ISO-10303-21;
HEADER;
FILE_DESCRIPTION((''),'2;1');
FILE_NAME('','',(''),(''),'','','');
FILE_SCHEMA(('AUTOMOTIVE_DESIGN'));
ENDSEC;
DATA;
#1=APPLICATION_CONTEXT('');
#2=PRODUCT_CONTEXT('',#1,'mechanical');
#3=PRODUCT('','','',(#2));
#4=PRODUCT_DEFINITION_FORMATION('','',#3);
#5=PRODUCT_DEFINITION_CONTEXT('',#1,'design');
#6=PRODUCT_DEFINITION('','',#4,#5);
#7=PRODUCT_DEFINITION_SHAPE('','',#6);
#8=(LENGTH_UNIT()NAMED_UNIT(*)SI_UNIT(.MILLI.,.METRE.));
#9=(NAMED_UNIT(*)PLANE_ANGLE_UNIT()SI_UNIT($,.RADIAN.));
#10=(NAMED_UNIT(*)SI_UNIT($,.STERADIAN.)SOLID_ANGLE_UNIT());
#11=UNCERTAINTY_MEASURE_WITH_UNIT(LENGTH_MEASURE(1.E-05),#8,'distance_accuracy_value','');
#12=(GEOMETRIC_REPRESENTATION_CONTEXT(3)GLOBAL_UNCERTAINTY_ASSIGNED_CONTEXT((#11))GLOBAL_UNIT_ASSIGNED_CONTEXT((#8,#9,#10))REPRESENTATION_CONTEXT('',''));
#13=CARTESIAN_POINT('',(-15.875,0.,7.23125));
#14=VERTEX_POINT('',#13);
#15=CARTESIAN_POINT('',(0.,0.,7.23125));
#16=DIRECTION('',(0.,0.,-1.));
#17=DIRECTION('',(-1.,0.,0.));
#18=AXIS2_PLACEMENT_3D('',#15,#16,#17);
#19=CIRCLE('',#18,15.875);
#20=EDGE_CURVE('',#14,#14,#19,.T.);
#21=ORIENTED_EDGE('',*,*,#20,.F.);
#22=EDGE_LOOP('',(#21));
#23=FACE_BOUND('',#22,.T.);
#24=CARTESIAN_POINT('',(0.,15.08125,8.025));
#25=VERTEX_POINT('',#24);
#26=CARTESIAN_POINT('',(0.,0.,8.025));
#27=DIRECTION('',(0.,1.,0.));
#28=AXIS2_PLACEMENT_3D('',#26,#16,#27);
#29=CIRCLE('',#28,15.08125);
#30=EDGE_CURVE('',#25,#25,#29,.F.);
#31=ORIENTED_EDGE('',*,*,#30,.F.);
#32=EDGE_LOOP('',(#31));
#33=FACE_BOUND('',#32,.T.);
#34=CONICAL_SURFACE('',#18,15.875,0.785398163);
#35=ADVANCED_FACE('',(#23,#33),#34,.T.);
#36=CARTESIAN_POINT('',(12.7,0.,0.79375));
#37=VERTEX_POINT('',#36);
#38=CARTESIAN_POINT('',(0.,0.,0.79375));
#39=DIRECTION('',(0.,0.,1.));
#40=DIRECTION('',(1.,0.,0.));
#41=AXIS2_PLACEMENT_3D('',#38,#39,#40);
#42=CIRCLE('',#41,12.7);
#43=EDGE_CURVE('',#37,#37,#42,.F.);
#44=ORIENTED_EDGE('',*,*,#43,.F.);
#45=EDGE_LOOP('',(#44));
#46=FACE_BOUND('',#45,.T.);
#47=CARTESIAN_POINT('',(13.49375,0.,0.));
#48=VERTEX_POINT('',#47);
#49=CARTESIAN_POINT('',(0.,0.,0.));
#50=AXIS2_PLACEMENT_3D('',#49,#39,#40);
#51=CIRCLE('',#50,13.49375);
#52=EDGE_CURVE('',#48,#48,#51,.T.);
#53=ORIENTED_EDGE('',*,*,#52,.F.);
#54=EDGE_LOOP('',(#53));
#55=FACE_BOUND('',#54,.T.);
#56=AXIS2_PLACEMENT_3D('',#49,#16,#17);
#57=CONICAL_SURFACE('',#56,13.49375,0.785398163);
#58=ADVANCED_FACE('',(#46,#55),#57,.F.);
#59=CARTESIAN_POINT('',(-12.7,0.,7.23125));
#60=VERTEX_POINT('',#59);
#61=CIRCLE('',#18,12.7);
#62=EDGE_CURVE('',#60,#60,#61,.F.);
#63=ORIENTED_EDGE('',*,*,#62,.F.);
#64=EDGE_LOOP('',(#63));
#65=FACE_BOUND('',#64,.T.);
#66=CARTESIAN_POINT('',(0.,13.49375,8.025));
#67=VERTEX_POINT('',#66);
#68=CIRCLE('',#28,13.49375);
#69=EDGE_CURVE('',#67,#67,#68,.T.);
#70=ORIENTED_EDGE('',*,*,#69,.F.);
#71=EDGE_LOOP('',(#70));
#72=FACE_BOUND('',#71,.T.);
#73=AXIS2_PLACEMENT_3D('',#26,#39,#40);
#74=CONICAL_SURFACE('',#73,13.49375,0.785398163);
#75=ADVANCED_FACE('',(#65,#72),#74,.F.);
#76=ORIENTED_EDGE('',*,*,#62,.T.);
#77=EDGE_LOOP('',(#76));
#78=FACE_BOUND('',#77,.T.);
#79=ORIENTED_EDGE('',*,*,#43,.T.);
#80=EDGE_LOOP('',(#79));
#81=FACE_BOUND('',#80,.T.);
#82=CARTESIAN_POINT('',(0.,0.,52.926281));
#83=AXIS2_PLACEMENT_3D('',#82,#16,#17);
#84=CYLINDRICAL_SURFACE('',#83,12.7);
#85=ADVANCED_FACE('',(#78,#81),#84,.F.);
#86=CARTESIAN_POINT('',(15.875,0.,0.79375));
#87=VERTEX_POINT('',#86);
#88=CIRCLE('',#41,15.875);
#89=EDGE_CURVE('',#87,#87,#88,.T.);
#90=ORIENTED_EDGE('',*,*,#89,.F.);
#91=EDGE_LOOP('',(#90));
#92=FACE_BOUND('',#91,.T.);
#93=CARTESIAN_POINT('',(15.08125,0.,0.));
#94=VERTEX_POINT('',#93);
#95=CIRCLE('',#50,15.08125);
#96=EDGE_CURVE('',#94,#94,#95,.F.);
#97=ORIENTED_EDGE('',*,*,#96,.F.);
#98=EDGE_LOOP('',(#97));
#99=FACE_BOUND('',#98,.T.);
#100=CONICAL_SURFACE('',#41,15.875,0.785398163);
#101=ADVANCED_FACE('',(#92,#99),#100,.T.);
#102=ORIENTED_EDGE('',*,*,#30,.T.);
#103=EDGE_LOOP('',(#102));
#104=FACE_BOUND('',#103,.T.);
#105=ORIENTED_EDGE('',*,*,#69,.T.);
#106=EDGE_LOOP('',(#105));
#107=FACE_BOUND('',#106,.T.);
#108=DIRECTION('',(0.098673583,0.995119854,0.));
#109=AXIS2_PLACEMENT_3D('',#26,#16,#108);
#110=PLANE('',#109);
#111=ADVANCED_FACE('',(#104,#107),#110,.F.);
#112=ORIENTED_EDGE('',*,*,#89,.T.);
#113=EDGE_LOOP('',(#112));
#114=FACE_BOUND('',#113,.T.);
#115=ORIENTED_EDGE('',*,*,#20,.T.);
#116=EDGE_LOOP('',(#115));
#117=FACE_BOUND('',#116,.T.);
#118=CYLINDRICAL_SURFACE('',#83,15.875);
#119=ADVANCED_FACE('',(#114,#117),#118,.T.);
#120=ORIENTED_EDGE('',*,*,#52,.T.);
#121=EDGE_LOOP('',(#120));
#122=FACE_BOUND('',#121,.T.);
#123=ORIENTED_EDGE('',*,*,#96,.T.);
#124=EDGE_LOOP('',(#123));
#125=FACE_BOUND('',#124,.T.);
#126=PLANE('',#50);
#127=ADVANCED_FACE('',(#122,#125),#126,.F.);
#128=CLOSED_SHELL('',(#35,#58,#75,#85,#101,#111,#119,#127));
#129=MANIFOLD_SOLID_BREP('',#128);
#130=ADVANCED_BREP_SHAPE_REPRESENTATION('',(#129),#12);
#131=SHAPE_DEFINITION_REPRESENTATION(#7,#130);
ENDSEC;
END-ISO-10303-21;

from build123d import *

# Parameters (mm, degrees)
SKETCH1_R           = 15.875
SKETCH1_R_2         = 12.7
BOSS_EXTRUDE1_DEPTH = 8.025
CHAMFER1_SIZE       = 0.79375


with BuildPart() as part:
    # Sketch1 → Boss-Extrude1 (new body)
    with BuildSketch(Plane.XY):
        Circle(SKETCH1_R)
        Circle(SKETCH1_R_2, mode=Mode.SUBTRACT)
    extrude(amount=BOSS_EXTRUDE1_DEPTH)

    # Chamfer1
    chamfer1_edges = [part.edges().sort_by_distance(p)[0] for p in [
        (-15.875, 0, 0),
        (-12.7, 0, 8.025),
        (-12.7, 0, 0),
        (-15.875, 0, 8.025),
    ]]
    chamfer(chamfer1_edges, length=CHAMFER1_SIZE)


solid = part.part
